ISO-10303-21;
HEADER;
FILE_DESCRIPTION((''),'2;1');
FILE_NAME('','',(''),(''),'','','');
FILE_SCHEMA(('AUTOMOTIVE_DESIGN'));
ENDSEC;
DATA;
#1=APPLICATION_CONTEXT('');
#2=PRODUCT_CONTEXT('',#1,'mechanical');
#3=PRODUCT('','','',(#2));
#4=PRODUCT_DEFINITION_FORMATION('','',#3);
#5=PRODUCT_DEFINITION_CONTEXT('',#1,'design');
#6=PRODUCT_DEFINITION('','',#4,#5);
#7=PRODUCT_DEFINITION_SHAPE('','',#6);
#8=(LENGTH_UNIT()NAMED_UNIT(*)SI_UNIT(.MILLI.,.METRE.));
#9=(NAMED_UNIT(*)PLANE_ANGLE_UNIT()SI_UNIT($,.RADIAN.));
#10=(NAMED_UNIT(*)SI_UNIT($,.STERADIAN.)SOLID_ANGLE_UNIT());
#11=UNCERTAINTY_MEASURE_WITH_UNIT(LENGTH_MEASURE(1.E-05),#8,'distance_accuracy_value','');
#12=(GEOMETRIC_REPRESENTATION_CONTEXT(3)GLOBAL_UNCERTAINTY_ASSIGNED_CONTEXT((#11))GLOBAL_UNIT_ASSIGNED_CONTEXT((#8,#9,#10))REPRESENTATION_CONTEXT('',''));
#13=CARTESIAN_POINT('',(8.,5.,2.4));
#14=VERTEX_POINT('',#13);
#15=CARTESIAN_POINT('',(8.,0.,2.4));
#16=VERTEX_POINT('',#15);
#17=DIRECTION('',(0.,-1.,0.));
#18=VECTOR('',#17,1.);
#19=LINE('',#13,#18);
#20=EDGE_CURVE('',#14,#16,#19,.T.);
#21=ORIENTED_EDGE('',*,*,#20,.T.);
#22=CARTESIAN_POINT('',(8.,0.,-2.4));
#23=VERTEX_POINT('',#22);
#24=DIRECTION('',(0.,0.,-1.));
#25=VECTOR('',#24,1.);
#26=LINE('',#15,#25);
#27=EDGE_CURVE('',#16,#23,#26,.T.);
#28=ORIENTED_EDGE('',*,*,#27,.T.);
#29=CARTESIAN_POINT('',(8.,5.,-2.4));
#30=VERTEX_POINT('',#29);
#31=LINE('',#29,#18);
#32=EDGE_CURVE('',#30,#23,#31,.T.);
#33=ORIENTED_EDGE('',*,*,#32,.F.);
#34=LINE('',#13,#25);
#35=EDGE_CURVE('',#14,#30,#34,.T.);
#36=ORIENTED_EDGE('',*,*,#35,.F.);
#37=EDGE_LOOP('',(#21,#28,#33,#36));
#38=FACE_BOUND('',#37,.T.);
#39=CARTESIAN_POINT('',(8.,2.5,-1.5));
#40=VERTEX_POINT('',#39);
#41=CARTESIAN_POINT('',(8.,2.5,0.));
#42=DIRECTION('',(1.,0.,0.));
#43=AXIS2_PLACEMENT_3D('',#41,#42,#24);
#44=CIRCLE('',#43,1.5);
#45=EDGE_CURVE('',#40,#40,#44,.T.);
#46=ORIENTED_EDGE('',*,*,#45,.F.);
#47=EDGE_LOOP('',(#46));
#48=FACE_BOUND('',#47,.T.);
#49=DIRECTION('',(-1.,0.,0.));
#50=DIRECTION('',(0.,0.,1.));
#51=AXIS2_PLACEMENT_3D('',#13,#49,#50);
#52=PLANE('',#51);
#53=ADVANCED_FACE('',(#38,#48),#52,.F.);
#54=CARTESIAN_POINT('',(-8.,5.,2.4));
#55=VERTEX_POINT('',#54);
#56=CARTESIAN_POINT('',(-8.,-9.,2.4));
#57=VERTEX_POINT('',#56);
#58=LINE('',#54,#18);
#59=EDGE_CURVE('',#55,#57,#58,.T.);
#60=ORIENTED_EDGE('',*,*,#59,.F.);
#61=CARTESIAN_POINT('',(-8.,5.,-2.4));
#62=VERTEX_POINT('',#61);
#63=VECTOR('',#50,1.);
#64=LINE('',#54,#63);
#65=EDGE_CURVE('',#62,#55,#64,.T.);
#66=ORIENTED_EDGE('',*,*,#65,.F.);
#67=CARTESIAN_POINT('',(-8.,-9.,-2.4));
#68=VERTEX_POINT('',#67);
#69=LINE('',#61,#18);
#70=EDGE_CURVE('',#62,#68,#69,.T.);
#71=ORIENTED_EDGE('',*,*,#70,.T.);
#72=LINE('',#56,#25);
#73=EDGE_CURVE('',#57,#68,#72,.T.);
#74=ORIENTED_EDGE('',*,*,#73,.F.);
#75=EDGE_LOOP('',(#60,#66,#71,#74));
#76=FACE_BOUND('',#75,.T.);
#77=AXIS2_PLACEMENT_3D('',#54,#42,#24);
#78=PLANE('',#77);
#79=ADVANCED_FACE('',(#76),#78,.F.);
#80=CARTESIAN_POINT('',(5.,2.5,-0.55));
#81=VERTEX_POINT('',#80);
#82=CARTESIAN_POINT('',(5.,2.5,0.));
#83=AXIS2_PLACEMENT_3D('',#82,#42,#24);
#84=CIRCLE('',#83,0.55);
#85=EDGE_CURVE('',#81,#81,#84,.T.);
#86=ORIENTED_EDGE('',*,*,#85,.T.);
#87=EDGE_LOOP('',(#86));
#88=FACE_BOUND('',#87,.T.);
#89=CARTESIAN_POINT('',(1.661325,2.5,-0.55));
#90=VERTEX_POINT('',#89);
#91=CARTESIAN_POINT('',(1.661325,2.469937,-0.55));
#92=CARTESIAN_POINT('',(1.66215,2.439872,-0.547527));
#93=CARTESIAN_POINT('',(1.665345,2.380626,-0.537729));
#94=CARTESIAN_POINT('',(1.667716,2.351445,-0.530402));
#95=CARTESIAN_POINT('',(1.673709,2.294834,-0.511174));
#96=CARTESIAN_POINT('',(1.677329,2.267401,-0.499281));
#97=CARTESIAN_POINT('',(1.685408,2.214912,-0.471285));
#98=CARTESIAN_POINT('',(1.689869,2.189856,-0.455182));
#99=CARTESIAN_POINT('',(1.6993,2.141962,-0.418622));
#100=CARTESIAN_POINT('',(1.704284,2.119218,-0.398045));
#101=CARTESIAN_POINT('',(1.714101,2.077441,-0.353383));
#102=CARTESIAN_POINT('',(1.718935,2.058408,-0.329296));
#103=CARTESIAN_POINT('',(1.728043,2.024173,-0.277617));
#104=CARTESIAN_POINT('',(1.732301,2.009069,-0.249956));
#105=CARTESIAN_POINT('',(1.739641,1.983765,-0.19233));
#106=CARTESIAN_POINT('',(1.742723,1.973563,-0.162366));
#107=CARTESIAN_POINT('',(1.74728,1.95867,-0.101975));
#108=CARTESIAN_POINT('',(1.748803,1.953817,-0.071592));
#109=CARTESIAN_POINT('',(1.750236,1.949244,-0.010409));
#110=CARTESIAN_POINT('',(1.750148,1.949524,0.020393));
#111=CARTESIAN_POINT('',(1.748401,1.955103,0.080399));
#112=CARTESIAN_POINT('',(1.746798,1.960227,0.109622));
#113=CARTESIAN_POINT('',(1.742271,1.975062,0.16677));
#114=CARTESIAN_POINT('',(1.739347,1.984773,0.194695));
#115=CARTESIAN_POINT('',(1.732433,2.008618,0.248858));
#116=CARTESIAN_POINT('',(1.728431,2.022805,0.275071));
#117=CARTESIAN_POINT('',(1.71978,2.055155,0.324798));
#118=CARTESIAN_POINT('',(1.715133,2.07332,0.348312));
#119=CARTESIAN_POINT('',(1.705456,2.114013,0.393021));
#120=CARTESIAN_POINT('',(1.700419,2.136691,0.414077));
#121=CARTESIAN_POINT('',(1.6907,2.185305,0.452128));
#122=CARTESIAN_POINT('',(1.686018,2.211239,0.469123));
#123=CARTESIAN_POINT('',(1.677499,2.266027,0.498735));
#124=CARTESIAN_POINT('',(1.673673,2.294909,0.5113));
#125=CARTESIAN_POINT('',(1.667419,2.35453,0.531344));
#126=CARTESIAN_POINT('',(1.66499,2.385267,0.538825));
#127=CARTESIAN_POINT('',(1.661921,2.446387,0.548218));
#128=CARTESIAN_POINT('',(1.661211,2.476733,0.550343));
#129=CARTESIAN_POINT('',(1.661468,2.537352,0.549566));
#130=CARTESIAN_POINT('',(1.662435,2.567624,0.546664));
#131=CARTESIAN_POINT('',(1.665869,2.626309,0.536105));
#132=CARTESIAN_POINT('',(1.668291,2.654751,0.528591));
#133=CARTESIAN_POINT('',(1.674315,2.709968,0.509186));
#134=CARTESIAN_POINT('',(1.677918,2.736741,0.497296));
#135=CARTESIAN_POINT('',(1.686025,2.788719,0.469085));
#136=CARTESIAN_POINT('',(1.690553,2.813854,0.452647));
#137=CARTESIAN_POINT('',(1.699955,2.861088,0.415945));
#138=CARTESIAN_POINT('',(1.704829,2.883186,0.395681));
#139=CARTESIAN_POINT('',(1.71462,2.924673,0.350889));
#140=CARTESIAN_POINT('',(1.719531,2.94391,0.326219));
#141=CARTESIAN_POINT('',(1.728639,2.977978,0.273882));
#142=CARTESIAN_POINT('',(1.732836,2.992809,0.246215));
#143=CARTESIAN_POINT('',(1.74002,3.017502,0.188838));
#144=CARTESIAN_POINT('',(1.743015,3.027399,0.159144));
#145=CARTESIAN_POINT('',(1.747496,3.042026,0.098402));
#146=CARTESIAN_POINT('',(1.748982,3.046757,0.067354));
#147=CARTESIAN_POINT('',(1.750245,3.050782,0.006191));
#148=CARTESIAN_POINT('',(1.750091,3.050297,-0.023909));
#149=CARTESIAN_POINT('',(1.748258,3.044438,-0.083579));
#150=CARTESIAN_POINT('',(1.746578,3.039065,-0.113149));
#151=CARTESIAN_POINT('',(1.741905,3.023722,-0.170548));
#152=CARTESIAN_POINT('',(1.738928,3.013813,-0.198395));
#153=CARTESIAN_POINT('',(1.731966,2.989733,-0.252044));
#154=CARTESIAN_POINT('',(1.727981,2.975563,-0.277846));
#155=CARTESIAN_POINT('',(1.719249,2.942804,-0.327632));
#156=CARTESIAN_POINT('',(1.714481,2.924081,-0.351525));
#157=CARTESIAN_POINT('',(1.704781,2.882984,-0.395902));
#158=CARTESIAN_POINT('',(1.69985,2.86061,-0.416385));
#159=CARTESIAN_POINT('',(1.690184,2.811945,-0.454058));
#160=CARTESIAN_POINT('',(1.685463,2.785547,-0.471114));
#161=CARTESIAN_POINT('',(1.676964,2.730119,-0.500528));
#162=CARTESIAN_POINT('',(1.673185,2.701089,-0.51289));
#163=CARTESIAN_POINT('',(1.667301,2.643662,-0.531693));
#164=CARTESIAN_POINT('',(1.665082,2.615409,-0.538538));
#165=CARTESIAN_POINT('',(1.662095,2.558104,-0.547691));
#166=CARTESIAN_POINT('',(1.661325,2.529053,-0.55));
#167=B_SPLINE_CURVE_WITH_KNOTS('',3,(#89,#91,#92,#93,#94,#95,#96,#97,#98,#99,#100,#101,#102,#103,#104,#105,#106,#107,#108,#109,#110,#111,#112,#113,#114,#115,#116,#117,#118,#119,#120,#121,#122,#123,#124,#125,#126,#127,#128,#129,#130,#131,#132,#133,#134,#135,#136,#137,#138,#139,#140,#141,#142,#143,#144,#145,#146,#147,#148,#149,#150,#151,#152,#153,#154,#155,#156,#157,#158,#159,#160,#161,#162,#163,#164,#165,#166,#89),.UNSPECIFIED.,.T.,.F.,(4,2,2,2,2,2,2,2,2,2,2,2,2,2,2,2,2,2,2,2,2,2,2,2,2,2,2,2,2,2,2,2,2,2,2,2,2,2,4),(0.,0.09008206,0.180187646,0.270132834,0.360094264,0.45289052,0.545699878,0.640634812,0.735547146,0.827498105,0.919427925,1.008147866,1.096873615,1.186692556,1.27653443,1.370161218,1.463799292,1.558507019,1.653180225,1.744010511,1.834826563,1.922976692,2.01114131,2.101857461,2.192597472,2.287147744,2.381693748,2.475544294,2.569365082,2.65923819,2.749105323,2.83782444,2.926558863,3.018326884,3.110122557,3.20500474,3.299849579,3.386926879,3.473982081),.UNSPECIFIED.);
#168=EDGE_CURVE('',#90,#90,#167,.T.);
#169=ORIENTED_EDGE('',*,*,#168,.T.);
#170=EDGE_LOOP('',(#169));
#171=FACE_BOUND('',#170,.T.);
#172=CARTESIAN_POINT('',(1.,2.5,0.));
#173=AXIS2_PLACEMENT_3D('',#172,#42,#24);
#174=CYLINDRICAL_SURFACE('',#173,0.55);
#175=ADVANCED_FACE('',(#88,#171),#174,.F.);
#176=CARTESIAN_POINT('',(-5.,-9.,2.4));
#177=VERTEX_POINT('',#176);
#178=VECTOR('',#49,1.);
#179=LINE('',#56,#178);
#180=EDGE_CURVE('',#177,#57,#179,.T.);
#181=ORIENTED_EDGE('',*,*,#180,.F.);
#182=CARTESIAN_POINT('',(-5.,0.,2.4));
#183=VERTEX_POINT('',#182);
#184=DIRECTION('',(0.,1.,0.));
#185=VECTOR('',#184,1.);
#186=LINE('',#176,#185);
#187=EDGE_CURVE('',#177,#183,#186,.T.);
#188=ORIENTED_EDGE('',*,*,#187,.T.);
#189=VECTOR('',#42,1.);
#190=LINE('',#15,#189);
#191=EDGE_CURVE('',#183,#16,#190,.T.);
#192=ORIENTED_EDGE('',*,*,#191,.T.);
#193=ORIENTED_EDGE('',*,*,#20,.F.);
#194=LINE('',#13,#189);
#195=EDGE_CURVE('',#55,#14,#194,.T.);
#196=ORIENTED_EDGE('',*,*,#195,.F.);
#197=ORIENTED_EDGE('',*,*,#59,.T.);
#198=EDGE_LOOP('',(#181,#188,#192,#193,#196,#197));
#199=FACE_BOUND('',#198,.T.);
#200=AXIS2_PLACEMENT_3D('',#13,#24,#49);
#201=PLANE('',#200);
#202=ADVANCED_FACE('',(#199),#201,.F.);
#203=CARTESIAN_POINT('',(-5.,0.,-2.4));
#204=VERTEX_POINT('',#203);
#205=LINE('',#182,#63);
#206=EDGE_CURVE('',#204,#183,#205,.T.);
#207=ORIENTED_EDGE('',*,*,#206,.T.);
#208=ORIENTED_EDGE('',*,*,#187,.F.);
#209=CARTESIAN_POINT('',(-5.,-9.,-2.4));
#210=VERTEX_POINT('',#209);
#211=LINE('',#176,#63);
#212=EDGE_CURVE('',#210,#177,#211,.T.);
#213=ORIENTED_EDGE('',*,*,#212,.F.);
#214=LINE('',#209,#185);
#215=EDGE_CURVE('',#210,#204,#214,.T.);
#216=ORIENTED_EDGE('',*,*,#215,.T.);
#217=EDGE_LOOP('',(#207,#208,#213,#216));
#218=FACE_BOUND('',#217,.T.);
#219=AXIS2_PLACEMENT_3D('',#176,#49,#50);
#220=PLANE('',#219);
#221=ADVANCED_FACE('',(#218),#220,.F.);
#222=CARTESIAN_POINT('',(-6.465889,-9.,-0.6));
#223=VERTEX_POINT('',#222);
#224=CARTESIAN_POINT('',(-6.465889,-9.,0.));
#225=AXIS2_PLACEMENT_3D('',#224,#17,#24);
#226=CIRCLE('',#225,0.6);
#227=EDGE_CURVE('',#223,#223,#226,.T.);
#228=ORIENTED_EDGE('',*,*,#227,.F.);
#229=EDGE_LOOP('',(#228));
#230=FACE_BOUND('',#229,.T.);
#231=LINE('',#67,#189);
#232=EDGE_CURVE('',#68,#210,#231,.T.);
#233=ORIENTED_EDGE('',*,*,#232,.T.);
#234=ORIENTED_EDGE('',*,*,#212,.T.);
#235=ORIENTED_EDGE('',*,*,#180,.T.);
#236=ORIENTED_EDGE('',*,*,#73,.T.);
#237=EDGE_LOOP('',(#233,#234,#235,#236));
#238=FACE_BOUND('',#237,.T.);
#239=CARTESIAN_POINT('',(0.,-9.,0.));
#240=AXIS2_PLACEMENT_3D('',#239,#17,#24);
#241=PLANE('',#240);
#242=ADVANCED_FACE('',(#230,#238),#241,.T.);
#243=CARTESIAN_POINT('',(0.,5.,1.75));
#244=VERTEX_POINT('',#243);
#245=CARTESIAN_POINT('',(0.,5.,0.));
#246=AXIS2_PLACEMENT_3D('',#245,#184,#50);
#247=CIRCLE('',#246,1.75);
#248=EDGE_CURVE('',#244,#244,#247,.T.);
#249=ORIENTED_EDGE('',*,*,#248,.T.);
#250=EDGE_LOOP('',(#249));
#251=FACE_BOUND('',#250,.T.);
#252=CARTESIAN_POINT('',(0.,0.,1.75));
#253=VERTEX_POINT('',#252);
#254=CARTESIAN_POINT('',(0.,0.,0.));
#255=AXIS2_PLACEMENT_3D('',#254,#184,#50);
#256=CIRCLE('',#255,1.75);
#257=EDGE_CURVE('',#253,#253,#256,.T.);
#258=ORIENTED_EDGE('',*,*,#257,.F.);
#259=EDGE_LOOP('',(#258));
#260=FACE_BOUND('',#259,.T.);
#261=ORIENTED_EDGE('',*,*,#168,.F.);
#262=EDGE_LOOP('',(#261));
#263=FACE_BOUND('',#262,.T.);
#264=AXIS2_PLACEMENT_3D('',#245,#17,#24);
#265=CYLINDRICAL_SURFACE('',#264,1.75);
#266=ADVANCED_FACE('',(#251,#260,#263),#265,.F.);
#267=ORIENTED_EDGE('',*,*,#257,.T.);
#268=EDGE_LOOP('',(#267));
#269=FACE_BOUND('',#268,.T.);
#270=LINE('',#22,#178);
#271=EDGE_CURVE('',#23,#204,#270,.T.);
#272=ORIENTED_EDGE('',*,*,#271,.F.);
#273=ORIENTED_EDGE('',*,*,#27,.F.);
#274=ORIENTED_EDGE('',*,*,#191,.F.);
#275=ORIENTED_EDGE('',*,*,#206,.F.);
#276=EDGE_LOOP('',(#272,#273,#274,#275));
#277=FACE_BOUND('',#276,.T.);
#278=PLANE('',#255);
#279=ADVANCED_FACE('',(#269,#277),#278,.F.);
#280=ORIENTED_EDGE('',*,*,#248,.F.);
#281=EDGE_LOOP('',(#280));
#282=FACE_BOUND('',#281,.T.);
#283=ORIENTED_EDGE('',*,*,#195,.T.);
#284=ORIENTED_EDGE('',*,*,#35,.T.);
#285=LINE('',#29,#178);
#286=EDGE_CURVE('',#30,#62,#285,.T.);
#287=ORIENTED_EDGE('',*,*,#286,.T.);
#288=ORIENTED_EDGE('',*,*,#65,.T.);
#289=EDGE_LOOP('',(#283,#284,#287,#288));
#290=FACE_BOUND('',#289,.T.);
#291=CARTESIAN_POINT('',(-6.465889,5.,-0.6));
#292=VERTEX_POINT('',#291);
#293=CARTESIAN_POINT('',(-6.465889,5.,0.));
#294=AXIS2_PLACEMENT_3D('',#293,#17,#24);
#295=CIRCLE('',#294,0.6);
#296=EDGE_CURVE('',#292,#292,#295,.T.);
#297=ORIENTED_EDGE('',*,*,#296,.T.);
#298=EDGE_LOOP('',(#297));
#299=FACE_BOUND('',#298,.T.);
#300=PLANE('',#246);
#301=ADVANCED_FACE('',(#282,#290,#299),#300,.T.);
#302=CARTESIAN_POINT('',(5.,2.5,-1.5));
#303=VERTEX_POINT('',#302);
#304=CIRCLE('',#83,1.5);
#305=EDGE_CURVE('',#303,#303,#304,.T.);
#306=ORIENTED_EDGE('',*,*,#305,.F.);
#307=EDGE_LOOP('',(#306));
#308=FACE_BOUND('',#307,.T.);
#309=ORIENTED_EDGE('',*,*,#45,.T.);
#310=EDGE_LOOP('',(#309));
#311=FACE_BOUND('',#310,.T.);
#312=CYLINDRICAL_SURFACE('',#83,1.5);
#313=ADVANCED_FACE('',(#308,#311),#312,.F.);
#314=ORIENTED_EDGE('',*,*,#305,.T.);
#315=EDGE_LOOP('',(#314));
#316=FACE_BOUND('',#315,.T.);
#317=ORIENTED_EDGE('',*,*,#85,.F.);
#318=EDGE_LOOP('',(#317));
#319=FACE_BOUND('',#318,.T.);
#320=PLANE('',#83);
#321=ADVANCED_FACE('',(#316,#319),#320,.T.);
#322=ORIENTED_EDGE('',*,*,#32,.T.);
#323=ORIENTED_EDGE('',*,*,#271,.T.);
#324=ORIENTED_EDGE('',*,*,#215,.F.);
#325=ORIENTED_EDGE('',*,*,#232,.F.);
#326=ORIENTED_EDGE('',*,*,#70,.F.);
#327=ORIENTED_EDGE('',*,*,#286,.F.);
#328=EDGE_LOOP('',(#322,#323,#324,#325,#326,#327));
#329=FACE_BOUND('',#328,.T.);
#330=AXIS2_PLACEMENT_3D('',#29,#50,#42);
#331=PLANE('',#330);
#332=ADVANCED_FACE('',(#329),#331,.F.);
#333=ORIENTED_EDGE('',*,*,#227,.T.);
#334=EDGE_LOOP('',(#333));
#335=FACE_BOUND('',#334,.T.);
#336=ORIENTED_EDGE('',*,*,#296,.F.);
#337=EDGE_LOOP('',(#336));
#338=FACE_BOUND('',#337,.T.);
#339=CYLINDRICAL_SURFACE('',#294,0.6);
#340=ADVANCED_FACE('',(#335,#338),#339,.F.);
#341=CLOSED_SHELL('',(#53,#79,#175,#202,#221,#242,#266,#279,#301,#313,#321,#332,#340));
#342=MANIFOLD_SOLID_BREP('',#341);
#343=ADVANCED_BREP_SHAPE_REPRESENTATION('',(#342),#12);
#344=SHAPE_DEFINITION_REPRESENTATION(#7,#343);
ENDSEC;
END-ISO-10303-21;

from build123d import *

# Parameters (mm, degrees)
SKETCH_1_W          = 16
SKETCH_1_H          = 4.8
SKETCH_1_R          = 1.75
EXTRUDE_1_DEPTH     = 5
SKETCH_2_R          = 1.5
CUT_EXTRUDE_1_DEPTH = 3
SKETCH_3_R          = 0.55
CUT_EXTRUDE_2_DEPTH = 4
SKETCH_5_W          = 3
SKETCH_5_H          = 4.8
EXTRUDE_2_DEPTH     = 9
SKETCH_6_R          = 0.6
CUT_EXTRUDE_3_DEPTH = 15.0000001


with BuildPart() as part:
    # 草图1 → 凸台-拉伸1 (new body)
    with BuildSketch(Plane(origin=(0, 0, 0), x_dir=(1, 0, 0), z_dir=(0, 1, 0))):
        Rectangle(SKETCH_1_W, SKETCH_1_H)
        Circle(SKETCH_1_R, mode=Mode.SUBTRACT)
    extrude(amount=EXTRUDE_1_DEPTH)

    # 草图2 → 切除-拉伸1 (cut)
    with BuildSketch(Plane(origin=(8, 0, 0), x_dir=(0, 0, -1), z_dir=(1, 0, 0))):
        with Locations((0, 2.5)):
            Circle(SKETCH_2_R)
    extrude(amount=-CUT_EXTRUDE_1_DEPTH, mode=Mode.SUBTRACT)

    # 草图3 → 切除-拉伸2 (cut)
    with BuildSketch(Plane(origin=(5, 0, 0), x_dir=(0, 0, -1), z_dir=(1, 0, 0))):
        with Locations((0, 2.5)):
            Circle(SKETCH_3_R)
    extrude(amount=-CUT_EXTRUDE_2_DEPTH, mode=Mode.SUBTRACT)

    # 草图5 → 凸台-拉伸2 (add)
    with BuildSketch(Plane.XZ):
        with Locations((-6.5, 0)):
            Rectangle(SKETCH_5_W, SKETCH_5_H)
    extrude(amount=EXTRUDE_2_DEPTH)

    # 草图6 → 切除-拉伸3 (cut, through all)
    with BuildSketch(Plane.XZ.offset(9)):
        with Locations((-6.465889023, 0)):
            Circle(SKETCH_6_R)
    extrude(amount=-CUT_EXTRUDE_3_DEPTH, mode=Mode.SUBTRACT)


solid = part.part
